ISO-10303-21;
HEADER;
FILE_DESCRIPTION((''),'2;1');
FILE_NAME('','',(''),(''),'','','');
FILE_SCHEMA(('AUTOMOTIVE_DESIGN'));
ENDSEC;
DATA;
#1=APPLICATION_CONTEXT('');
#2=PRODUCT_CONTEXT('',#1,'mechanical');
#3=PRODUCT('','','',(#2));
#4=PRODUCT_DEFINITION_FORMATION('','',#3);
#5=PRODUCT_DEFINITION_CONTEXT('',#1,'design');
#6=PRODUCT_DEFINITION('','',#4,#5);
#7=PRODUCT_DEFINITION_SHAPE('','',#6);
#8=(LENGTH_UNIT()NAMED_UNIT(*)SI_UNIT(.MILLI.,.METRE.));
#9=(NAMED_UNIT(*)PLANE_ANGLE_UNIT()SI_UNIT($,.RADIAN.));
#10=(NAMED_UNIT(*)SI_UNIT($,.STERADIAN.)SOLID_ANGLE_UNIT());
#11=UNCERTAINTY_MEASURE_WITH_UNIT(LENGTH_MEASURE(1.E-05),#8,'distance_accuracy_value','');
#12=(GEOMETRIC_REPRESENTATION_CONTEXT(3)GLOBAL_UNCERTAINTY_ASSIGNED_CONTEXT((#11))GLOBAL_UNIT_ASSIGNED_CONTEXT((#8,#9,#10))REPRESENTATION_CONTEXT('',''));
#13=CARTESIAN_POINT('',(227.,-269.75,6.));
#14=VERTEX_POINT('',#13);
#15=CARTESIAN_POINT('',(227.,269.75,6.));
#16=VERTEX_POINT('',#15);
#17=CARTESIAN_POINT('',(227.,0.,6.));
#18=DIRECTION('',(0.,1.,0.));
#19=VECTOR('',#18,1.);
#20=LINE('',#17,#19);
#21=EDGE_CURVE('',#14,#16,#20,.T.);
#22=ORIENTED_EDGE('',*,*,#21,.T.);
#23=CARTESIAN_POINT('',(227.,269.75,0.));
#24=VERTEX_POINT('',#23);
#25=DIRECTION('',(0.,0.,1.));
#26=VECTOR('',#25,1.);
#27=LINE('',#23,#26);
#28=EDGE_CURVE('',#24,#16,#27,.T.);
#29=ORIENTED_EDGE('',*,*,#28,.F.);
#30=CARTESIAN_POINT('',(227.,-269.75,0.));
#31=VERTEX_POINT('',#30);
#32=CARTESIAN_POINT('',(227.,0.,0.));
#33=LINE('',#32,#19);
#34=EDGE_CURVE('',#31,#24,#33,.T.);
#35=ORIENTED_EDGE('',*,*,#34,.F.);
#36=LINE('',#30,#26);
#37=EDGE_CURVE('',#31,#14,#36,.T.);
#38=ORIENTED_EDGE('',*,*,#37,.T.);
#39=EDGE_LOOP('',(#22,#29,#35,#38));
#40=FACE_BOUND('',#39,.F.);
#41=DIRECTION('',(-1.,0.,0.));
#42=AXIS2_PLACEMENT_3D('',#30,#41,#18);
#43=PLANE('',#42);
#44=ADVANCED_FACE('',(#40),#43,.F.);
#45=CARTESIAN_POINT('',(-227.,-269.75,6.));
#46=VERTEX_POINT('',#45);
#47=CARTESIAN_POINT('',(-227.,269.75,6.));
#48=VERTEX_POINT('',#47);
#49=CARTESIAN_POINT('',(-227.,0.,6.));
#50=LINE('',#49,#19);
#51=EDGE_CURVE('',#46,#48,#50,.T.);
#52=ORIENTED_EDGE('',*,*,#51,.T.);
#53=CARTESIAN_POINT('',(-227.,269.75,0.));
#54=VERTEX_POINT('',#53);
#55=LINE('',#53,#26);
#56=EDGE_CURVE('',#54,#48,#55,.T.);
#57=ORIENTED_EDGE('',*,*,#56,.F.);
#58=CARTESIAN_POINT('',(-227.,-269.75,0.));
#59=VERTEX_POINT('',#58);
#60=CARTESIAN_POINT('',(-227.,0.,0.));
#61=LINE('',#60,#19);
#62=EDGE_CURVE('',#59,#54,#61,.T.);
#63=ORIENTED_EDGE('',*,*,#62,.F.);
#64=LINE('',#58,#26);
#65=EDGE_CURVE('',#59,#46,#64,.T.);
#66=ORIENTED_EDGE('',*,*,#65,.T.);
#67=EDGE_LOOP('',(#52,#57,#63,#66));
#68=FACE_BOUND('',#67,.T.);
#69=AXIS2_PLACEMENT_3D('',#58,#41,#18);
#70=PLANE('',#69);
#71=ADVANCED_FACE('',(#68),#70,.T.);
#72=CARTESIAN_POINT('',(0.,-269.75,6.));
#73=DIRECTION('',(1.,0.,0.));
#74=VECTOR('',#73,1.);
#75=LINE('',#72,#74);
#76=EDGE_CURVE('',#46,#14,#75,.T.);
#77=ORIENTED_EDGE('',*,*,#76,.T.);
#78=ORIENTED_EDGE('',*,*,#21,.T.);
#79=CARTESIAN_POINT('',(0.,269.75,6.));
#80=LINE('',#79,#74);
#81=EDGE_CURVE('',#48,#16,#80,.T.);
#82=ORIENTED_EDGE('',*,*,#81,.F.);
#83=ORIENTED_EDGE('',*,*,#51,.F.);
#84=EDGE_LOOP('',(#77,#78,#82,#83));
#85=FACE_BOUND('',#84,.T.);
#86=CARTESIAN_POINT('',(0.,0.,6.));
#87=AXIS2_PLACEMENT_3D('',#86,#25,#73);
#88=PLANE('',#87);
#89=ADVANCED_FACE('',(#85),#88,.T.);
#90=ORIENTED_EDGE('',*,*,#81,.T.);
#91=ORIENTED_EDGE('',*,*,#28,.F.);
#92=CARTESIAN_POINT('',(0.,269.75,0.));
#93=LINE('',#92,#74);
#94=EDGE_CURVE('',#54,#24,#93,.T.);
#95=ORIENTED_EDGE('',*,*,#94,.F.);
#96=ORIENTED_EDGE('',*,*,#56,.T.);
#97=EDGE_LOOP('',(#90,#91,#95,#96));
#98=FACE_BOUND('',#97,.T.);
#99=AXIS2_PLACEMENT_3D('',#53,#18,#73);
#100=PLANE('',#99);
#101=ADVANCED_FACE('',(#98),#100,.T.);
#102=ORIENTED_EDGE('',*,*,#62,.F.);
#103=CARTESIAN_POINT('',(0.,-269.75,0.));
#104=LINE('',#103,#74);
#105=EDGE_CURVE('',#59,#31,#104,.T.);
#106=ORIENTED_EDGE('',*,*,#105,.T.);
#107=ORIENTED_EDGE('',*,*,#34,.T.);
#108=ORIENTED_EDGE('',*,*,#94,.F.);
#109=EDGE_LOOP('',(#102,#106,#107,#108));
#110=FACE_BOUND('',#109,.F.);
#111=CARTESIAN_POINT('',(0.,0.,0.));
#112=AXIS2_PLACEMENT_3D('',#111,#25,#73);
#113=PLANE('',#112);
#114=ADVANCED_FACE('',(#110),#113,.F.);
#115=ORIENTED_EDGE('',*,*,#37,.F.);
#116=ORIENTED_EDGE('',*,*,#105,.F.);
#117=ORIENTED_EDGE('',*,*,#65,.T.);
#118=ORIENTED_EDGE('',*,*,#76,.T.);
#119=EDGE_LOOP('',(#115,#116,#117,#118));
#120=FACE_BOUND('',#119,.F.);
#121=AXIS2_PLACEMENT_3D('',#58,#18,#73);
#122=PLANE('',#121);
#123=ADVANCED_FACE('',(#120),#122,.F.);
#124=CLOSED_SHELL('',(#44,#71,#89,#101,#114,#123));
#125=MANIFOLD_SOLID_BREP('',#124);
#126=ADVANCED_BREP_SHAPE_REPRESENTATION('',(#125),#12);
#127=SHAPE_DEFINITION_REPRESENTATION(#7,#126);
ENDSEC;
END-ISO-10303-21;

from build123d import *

# Parameters (mm, degrees)
SKETCH_W  = 454
SKETCH_H  = 539.5
PAD_DEPTH = 6


with BuildPart() as part:
    # Sketch → Pad (new body)
    with BuildSketch(Plane.XY):
        Rectangle(SKETCH_W, SKETCH_H)
    extrude(amount=PAD_DEPTH)


solid = part.part
